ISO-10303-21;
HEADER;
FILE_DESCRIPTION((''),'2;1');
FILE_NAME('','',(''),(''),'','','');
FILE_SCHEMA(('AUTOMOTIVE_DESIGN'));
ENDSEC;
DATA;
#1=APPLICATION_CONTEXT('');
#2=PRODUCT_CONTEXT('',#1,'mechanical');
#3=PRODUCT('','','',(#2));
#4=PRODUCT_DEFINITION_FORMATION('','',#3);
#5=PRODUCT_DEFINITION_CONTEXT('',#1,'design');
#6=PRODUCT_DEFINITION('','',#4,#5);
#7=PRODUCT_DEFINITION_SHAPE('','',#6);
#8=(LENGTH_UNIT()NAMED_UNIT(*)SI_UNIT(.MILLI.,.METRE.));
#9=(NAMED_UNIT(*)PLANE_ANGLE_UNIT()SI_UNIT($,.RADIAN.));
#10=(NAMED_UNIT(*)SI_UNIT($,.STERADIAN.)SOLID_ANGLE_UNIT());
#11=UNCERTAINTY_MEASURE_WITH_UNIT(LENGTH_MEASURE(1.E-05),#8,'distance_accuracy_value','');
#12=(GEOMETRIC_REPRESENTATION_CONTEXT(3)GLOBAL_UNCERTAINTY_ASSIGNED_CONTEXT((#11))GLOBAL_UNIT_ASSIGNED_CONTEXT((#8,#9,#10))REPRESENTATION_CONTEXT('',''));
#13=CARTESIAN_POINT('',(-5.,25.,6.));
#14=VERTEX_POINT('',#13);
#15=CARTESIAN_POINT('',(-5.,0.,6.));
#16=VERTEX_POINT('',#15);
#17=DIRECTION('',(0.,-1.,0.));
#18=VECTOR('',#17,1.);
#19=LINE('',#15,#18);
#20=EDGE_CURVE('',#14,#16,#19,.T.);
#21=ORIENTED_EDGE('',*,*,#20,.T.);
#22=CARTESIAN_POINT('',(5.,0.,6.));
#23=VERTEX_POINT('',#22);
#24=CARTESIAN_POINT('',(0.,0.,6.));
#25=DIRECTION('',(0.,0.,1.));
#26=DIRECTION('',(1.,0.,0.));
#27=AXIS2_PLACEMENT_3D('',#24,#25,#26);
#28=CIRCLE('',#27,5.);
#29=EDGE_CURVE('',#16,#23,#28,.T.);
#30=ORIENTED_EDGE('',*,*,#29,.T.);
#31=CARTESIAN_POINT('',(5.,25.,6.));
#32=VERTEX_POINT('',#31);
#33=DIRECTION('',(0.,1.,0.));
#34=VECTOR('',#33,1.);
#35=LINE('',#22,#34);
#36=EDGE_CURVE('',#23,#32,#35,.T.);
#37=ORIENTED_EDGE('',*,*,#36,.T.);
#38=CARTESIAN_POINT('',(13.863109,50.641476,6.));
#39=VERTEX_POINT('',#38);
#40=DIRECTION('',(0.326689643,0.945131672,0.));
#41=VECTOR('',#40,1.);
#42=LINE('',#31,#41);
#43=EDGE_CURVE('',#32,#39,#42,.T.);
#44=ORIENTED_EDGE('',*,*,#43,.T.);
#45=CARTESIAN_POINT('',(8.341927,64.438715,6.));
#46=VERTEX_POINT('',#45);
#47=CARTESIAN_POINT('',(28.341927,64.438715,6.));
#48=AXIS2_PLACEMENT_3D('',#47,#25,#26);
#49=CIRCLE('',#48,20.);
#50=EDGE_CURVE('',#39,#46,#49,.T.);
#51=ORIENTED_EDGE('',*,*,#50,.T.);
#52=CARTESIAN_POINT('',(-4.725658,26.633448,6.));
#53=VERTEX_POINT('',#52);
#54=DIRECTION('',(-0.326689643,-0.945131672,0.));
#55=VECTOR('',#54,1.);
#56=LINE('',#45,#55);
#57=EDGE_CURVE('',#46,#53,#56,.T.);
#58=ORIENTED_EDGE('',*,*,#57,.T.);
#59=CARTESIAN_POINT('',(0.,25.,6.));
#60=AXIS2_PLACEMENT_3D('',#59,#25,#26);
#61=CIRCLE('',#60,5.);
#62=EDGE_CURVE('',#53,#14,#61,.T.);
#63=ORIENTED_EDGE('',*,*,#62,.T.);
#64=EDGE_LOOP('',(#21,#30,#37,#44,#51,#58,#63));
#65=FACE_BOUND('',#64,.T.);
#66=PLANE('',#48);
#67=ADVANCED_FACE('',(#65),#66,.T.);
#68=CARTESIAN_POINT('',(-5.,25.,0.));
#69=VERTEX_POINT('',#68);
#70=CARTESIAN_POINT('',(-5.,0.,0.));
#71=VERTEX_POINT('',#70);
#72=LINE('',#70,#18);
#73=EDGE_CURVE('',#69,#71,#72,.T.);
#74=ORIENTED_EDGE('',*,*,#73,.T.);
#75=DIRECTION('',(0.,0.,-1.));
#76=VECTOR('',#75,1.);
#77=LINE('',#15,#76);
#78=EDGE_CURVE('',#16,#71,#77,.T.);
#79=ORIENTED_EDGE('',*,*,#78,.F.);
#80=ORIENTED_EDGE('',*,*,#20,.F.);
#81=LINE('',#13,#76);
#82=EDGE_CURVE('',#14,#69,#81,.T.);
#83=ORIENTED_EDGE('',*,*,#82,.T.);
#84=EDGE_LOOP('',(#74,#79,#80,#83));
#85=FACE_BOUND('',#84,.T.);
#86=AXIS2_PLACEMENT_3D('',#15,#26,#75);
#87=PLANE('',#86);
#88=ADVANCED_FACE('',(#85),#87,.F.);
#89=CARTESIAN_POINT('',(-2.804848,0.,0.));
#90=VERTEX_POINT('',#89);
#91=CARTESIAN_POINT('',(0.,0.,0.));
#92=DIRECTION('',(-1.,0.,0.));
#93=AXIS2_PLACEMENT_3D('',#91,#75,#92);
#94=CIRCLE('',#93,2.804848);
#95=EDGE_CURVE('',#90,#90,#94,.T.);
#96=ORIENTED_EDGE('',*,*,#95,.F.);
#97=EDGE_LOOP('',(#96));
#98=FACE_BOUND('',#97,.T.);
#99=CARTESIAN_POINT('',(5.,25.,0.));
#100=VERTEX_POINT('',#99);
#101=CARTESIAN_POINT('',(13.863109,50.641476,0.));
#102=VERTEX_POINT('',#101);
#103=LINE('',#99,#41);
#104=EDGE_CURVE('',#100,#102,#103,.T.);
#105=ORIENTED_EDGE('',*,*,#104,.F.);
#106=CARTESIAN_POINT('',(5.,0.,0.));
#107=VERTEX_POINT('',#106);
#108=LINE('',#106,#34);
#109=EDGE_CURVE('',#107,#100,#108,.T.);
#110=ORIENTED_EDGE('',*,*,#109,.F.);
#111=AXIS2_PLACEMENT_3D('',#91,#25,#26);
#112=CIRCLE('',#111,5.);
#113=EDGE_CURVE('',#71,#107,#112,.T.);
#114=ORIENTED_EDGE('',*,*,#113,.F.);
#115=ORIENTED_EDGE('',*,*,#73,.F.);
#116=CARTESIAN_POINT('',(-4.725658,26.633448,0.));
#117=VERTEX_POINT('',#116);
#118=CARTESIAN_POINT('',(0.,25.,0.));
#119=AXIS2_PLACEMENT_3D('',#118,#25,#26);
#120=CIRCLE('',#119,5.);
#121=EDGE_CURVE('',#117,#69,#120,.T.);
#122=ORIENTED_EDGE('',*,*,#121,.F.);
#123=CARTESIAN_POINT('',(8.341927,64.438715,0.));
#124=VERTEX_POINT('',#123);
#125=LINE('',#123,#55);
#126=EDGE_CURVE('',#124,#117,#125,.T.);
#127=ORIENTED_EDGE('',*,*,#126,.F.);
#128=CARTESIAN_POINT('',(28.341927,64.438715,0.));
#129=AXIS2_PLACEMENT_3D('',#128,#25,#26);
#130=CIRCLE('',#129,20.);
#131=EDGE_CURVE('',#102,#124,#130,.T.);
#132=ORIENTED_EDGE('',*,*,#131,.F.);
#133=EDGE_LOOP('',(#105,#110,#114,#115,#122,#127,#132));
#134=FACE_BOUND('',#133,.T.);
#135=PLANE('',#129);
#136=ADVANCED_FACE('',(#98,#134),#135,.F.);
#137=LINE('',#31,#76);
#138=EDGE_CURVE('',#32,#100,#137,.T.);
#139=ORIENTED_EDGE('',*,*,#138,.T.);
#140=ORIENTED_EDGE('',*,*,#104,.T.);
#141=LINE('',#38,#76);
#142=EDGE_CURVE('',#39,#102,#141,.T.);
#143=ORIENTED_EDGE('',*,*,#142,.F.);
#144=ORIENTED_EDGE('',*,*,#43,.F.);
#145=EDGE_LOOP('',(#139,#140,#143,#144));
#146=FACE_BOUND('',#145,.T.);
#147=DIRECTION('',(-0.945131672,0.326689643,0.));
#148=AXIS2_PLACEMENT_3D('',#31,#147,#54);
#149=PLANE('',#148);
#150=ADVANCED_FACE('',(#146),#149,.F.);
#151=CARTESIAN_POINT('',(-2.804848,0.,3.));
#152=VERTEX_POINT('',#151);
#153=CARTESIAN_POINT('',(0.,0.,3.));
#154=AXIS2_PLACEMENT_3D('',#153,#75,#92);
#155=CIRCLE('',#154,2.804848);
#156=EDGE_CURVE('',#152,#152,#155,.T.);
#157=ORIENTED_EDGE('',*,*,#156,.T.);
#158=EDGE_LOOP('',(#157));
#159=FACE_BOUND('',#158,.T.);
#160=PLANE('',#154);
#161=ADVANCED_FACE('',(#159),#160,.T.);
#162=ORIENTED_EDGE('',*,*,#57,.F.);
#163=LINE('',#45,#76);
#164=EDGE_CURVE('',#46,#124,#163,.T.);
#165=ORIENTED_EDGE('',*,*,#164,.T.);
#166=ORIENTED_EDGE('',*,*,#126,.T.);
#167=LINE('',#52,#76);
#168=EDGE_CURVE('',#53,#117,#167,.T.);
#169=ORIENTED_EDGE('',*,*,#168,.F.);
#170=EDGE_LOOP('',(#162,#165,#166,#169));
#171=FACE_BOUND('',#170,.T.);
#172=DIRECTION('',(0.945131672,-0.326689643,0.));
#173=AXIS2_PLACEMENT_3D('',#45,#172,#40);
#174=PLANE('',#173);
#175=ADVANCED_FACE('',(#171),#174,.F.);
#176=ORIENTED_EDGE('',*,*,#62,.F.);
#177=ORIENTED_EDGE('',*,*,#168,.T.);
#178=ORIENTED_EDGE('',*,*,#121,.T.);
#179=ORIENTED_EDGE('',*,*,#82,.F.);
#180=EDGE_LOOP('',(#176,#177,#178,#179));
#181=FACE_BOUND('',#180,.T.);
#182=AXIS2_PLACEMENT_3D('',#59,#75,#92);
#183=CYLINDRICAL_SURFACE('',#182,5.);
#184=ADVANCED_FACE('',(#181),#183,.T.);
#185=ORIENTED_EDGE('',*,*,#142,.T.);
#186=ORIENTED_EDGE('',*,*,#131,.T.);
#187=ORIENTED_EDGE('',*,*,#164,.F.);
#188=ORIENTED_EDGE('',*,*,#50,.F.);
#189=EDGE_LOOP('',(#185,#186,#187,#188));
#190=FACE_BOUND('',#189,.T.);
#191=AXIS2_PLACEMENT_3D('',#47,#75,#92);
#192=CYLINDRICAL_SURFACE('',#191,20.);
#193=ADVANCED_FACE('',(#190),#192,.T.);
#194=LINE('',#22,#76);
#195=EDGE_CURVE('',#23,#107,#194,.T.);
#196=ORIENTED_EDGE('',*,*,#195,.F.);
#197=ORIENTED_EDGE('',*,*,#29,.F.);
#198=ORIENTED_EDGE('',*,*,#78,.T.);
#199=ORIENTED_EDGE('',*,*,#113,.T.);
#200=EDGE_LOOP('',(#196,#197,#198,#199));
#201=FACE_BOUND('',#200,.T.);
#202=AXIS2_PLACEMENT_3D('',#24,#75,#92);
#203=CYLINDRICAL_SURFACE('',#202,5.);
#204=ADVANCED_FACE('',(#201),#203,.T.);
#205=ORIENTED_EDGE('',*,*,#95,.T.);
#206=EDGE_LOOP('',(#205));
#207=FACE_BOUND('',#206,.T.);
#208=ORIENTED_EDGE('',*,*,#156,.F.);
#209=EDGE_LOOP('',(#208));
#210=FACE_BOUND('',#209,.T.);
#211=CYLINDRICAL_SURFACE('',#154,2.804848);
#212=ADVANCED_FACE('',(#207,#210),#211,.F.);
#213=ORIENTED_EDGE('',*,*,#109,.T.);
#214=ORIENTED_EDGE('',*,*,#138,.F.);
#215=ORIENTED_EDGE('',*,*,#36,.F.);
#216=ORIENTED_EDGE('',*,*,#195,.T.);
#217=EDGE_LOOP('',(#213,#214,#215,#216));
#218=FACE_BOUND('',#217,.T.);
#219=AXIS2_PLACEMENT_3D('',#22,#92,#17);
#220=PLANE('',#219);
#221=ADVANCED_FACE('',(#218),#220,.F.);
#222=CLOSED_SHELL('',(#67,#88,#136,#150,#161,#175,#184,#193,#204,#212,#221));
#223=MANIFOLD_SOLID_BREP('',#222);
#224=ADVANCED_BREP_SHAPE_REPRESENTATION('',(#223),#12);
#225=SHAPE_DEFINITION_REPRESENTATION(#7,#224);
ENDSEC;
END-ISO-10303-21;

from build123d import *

# Parameters (mm, degrees)
BOSS_EXTRUDE1_DEPTH = 6
SKETCH2_R           = 2.804848486
CUT_EXTRUDE1_DEPTH  = 3


with BuildPart() as part:
    # Sketch1 → Boss-Extrude1 (new body)
    with BuildSketch(Plane(origin=(0, 0, 0), x_dir=(0, 1, 0), z_dir=(0, 0, 1))):
        with BuildLine():
            Line((0, 5), (25, 5))
            ThreePointArc((25, 5), (25.828163089, 4.930937629), (26.633448216, 4.725658359))
            Line((26.633448216, 4.725658359), (64.438715088, -8.341927368))
            ThreePointArc((64.438715088, -8.341927368), (71.86918023, -46.91040032), (50.641475986, -13.863108592))
            Line((50.641475986, -13.863108592), (25, -5))
            Line((25, -5), (0, -5))
            ThreePointArc((0, -5), (-5, 0), (0, 5))
        make_face()
    extrude(amount=BOSS_EXTRUDE1_DEPTH)

    # Sketch2 → Cut-Extrude1 (cut)
    with BuildSketch(Plane(origin=(0, 0, 0), x_dir=(1, 0, 0), z_dir=(0, 0, -1))):
        with Locations(Location((0, 0, 0), (0, 0, 180))):
            Circle(SKETCH2_R)
    extrude(amount=-CUT_EXTRUDE1_DEPTH, mode=Mode.SUBTRACT)


solid = part.part
